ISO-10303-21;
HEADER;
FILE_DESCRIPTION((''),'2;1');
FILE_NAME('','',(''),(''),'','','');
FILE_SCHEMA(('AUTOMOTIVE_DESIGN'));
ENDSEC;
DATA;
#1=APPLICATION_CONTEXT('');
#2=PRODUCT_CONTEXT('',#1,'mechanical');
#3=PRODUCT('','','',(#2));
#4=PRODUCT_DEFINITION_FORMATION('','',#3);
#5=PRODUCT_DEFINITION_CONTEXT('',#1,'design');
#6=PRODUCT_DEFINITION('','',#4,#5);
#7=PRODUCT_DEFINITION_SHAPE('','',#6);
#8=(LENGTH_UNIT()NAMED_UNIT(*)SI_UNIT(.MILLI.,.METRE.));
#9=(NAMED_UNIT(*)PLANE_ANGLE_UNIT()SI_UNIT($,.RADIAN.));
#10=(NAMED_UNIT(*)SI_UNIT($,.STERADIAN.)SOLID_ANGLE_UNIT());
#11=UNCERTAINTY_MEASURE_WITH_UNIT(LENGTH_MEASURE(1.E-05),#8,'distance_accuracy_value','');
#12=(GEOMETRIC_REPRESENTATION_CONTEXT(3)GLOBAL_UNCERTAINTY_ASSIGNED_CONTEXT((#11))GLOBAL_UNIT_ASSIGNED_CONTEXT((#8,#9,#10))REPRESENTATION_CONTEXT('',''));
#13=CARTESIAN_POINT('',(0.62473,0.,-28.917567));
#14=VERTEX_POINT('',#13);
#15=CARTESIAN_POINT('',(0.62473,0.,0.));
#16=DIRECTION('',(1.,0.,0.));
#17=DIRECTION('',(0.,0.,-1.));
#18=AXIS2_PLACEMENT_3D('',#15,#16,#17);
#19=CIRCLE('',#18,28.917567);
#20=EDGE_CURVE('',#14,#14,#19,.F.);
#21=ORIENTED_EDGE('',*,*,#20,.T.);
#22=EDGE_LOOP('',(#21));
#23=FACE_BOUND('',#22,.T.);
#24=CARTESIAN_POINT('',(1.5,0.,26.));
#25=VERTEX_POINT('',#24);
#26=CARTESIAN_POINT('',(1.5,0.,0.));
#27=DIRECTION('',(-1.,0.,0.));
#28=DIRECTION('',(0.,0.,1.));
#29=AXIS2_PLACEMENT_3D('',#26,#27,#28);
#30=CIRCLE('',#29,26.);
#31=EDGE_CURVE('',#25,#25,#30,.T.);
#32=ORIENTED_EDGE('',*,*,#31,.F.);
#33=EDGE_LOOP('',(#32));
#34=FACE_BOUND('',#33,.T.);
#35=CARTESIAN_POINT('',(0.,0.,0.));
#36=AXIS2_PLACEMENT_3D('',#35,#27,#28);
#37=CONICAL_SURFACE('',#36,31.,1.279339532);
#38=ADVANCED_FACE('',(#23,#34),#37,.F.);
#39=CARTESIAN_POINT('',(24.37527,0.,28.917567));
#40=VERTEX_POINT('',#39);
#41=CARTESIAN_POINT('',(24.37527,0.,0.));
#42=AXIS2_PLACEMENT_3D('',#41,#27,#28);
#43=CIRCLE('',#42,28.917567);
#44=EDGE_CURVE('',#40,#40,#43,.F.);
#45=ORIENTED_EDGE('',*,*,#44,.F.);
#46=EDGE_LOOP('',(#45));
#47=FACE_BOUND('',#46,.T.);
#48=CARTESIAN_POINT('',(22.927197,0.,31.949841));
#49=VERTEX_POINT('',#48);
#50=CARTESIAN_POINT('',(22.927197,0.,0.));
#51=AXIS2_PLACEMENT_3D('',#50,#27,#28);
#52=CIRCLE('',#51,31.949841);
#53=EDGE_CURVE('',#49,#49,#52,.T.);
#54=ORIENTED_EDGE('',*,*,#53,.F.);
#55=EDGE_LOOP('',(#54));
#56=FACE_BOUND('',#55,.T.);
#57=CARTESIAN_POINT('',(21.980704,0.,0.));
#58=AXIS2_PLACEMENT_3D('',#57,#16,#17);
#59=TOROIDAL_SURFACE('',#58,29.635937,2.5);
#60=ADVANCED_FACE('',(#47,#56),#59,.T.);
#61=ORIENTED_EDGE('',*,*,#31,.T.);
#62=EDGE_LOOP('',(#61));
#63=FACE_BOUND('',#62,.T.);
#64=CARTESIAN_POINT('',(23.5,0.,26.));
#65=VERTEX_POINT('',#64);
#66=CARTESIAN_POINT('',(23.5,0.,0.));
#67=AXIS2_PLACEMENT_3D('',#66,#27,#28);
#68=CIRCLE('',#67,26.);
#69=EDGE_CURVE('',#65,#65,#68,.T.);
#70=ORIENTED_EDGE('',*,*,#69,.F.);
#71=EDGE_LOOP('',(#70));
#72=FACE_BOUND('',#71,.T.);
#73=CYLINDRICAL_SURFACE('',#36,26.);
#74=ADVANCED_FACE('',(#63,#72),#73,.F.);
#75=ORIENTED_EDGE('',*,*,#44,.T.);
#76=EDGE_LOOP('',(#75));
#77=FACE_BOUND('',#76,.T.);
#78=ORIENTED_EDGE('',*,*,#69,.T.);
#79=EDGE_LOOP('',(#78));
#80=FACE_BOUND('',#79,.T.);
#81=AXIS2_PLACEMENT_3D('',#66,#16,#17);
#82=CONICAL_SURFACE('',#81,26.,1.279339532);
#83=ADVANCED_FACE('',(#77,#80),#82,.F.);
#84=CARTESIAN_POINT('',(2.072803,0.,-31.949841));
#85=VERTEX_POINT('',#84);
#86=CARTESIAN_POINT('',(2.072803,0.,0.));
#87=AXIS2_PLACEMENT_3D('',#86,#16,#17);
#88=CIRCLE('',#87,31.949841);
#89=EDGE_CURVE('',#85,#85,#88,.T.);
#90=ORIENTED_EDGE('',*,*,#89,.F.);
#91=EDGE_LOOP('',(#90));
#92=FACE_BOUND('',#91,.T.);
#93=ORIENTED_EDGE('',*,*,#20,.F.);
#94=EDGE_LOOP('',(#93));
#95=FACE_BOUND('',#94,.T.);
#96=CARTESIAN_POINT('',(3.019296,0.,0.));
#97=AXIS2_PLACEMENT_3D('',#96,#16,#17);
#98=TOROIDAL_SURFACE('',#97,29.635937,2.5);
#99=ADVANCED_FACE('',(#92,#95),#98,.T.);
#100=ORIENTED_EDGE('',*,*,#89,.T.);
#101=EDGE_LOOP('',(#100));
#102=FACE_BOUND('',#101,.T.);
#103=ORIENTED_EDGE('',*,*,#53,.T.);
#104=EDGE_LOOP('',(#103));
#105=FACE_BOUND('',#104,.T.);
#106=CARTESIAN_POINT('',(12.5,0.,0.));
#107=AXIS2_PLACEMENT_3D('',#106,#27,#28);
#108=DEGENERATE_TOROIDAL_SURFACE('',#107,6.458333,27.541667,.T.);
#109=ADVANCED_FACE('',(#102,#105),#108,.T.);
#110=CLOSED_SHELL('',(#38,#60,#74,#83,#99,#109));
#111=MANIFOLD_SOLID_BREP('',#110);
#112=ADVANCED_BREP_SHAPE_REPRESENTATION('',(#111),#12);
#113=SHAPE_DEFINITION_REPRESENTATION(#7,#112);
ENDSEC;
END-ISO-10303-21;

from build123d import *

# Parameters (mm, degrees)
FILETE1_R = 2.5


with BuildPart() as part:
    # Esboço2 → Revolução1 (revolve)
    with BuildSketch(Plane.XY):
        with BuildLine():
            Line((25, 31), (23.5, 26))
            Line((23.5, 26), (1.5, 26))
            Line((1.5, 26), (0, 31))
            ThreePointArc((0, 31), (12.5, 34), (25, 31))
        make_face()
    revolve(axis=Axis((0, 0, 0), (1, 0, 0)))

    # Filete1
    filete1_edges = [part.edges().sort_by_distance(p)[0] for p in [
        (0, -31, 0),
        (25, -31, 0),
    ]]
    fillet(filete1_edges, radius=FILETE1_R)


solid = part.part
